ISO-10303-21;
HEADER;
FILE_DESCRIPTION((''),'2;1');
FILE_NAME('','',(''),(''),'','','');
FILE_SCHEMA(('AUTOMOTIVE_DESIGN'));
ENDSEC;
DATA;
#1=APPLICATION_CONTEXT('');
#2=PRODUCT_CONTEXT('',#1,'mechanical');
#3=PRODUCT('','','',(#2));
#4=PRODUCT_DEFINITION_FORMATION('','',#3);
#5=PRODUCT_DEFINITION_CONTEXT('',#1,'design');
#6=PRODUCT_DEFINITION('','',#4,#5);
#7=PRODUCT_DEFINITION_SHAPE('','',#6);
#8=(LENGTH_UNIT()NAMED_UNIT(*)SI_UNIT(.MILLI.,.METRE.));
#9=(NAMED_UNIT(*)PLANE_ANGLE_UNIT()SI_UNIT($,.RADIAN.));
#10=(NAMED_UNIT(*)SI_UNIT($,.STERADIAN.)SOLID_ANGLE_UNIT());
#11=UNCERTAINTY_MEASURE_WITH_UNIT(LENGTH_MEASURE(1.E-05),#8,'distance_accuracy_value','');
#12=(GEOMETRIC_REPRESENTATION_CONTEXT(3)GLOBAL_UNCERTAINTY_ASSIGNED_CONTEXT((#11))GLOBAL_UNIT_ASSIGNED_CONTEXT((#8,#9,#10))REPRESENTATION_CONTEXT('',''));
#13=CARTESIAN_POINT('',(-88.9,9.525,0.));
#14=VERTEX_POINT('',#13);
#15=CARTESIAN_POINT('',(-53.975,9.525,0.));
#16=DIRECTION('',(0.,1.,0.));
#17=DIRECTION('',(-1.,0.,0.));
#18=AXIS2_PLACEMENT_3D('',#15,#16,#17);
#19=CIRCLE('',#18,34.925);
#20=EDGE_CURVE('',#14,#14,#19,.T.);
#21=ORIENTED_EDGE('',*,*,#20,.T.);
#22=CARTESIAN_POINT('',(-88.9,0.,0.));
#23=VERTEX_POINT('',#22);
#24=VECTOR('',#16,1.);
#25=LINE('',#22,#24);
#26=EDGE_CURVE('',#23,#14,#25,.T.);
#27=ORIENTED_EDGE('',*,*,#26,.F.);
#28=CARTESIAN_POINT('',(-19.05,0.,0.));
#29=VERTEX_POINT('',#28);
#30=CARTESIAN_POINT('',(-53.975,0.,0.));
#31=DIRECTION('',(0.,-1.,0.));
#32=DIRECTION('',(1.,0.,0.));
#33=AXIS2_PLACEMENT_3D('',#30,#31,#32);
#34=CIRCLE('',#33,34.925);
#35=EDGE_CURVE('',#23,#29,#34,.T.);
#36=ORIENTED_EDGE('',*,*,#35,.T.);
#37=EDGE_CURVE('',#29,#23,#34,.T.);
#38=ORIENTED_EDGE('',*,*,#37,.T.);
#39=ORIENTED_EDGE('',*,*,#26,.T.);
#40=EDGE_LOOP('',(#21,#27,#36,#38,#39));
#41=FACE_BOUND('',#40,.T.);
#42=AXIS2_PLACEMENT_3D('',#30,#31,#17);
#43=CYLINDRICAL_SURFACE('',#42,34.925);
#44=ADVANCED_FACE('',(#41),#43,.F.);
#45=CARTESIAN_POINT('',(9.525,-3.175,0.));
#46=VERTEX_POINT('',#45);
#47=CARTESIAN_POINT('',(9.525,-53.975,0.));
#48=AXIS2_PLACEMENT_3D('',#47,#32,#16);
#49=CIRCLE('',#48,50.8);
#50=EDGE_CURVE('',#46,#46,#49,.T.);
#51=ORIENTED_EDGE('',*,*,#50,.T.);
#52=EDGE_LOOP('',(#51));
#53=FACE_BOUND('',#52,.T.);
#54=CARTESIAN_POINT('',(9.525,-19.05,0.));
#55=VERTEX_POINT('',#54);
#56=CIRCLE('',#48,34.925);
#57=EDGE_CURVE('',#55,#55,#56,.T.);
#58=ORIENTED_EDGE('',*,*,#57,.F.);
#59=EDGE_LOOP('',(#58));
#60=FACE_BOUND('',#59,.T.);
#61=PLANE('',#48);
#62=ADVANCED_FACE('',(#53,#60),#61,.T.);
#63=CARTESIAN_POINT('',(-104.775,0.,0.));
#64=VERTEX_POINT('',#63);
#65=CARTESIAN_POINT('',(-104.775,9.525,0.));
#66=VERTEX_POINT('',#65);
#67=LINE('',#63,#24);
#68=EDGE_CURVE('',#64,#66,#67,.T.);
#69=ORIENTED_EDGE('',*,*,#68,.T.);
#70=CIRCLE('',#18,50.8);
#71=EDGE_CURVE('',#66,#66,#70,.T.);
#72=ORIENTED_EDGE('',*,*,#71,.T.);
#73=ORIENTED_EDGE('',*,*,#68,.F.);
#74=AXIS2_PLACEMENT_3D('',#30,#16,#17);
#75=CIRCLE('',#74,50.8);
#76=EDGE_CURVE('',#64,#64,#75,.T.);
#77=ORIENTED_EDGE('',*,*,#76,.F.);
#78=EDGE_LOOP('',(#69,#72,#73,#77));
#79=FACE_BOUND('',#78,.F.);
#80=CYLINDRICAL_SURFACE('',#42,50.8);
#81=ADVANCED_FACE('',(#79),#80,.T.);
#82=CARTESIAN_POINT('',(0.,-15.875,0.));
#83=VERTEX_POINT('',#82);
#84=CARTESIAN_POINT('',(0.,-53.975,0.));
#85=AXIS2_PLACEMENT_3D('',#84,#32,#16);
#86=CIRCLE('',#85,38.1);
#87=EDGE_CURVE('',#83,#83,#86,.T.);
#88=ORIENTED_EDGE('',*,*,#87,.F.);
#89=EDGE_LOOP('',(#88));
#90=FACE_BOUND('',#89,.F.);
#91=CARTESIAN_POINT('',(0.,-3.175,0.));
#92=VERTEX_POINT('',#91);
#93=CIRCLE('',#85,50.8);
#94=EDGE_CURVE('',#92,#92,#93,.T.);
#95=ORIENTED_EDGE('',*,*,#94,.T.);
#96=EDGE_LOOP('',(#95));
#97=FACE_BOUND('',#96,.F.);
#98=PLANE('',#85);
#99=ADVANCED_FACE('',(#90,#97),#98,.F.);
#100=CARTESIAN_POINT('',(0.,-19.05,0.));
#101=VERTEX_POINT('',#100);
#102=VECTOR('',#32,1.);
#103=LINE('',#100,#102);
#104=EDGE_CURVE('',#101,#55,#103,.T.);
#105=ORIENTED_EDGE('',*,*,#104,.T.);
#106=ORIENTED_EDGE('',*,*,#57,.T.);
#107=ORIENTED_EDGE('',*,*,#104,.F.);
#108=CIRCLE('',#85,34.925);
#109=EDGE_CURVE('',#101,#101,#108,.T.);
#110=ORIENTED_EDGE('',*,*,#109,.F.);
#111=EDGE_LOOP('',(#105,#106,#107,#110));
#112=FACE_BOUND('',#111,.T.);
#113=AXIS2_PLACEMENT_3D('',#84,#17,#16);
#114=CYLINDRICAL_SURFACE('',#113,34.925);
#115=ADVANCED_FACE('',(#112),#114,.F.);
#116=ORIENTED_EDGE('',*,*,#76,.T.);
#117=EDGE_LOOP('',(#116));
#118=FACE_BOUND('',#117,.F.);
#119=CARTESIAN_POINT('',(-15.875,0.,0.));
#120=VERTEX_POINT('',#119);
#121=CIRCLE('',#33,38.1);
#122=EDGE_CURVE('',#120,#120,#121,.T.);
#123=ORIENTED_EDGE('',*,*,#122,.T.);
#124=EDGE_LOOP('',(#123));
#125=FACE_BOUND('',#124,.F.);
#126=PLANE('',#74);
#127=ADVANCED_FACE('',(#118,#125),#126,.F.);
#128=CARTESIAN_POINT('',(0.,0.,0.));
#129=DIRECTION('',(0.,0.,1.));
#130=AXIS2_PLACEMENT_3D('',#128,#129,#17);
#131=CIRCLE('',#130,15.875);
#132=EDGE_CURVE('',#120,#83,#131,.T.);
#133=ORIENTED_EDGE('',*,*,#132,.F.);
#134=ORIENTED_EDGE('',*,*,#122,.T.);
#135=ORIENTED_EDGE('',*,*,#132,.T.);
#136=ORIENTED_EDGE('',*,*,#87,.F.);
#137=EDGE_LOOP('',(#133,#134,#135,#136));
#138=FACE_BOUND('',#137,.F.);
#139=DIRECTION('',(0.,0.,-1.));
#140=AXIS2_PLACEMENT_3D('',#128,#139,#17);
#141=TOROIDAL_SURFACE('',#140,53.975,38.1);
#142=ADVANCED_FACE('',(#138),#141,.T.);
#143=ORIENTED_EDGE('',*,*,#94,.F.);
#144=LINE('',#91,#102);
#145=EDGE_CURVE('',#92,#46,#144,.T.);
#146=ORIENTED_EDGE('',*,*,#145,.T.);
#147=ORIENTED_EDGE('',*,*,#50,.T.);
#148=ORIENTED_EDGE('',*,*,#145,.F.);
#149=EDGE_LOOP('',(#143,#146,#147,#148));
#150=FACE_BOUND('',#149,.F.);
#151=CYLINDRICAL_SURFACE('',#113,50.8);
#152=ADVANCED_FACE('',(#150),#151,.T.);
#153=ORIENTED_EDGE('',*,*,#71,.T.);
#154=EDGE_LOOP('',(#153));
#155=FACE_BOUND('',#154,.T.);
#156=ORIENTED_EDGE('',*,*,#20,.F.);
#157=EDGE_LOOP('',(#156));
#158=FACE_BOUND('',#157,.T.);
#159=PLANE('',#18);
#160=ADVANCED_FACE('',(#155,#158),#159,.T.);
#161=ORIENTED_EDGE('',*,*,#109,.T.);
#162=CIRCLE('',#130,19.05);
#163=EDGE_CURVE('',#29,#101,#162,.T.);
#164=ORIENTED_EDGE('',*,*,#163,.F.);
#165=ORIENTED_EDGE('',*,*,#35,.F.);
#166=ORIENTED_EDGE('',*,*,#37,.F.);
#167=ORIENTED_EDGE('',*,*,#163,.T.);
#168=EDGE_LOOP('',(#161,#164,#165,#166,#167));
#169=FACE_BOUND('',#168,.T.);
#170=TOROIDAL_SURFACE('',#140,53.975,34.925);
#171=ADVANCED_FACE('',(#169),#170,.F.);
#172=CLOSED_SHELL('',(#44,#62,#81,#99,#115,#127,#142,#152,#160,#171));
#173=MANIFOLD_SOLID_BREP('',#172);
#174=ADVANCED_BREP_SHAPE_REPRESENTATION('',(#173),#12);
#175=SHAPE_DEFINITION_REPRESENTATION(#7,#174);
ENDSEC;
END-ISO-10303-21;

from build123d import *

# Parameters (mm, degrees)
F0_R     = 38.1
F0_R_2   = 34.925
F1_ANGLE = 90
F2_R     = 50.8
F2_R_2   = 34.925
F3_DEPTH = 9.525
F4_R     = 50.8
F4_R_2   = 34.925
F5_DEPTH = 9.525


with BuildPart() as f1:
    # F0 (on Front) → F1 (revolve)
    with BuildSketch(Plane.XZ):
        with Locations((-53.975, 0)):
            Circle(F0_R)
        with Locations((-53.975, 0)):
            Circle(F0_R_2, mode=Mode.SUBTRACT)
    revolve(axis=Axis((0, 0, 27.08186), (0, 0, 1)), revolution_arc=F1_ANGLE)

    # F2 (on face) → F3 (join)
    with BuildSketch(Plane.YZ):
        with Locations((-53.975, 0)):
            Circle(F2_R)
        with Locations((-53.975, 0)):
            Circle(F2_R_2, mode=Mode.SUBTRACT)
    extrude(amount=F3_DEPTH)

    # F4 (on face) → F5 (join)
    with BuildSketch(Plane(origin=(0, 0, 0), x_dir=(-1, 0, 0), z_dir=(0, 1, 0))):
        with Locations((53.975, 0)):
            Circle(F4_R)
        with Locations((53.975, 0)):
            Circle(F4_R_2, mode=Mode.SUBTRACT)
    extrude(amount=F5_DEPTH)


solid = f1.part
